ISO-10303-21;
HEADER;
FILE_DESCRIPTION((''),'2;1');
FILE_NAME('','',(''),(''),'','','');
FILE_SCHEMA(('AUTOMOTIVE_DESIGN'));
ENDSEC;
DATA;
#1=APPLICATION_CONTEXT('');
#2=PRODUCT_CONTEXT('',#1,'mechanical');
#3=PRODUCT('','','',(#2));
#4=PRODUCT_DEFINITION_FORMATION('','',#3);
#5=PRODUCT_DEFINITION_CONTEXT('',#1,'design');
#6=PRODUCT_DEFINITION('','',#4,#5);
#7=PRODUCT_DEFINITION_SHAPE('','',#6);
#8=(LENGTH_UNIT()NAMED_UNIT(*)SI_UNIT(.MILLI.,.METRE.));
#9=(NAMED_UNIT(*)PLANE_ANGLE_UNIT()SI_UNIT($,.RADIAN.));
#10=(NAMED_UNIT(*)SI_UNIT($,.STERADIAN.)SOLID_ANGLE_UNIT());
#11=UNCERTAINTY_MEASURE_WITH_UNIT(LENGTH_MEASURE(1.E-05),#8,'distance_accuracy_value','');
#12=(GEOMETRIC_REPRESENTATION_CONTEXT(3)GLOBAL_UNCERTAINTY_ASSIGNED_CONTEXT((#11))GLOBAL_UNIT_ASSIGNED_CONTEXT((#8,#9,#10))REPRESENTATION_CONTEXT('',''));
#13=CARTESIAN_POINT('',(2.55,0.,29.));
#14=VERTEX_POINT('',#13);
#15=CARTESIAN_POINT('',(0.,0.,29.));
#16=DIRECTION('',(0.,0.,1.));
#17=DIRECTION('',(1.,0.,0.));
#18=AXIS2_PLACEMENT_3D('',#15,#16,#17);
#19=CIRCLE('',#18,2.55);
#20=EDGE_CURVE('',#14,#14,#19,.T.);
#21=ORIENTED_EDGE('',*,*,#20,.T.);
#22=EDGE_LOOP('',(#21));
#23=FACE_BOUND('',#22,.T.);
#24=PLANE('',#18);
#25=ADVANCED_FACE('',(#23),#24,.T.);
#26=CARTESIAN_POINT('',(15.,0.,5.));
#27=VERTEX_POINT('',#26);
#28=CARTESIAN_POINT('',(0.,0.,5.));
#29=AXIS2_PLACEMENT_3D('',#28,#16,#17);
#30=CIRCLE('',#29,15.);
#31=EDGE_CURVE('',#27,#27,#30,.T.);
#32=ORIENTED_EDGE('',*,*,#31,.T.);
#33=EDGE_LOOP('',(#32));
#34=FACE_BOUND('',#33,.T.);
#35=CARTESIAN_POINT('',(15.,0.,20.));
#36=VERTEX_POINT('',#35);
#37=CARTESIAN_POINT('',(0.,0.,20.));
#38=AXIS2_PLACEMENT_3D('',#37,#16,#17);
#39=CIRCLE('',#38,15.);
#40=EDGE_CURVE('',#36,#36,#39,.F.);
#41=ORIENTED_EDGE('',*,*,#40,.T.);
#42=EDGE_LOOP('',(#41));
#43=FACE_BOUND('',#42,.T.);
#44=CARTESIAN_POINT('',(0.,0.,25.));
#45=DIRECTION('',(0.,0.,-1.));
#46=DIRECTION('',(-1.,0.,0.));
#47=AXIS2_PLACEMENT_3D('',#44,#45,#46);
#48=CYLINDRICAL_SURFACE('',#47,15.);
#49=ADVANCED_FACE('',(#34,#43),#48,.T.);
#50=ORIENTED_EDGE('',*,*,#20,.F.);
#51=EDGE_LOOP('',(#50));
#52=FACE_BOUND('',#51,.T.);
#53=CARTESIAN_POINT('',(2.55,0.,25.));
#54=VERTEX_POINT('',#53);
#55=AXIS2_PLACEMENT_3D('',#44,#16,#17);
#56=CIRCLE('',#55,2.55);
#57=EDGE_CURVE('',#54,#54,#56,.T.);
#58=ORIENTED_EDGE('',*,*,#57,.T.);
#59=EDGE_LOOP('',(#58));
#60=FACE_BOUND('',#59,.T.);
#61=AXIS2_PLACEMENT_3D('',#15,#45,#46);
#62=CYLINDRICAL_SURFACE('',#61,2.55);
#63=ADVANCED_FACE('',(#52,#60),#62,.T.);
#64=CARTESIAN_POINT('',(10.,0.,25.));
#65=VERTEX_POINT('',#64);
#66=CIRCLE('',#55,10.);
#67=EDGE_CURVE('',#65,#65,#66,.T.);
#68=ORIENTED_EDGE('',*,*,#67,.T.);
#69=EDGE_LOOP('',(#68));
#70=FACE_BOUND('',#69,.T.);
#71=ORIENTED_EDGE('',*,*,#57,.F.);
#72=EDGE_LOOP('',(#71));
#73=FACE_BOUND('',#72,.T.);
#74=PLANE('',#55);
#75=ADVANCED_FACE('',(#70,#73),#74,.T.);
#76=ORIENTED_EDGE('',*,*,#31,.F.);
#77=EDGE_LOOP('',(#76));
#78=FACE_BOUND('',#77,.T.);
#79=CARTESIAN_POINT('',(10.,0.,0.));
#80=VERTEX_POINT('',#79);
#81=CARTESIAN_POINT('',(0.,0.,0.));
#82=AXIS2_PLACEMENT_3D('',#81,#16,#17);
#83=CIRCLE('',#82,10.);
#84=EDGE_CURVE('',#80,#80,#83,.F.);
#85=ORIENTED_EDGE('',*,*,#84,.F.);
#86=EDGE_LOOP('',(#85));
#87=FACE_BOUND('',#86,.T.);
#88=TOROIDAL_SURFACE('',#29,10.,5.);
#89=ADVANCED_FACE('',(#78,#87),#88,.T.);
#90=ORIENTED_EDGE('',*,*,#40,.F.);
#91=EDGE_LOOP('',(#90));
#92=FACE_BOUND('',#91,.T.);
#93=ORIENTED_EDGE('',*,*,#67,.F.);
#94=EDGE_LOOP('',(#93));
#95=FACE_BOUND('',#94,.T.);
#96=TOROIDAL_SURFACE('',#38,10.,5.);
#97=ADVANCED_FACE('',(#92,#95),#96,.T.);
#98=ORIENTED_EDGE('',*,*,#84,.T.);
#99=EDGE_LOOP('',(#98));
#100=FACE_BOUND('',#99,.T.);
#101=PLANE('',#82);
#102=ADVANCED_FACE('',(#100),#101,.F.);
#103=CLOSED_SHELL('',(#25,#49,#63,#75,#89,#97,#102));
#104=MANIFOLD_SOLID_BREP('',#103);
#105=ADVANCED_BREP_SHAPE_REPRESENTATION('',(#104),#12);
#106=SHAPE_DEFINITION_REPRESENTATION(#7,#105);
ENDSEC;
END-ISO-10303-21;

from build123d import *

# Parameters (mm, degrees)
CROQUIS1_R              = 15
SALIENTE_EXTRUIR1_DEPTH = 25
REDONDEO2_R             = 5
CROQUIS2_R              = 2.55
SALIENTE_EXTRUIR2_DEPTH = 4


with BuildPart() as part:
    # Croquis1 → Saliente-Extruir1 (new body)
    with BuildSketch(Plane.XY):
        Circle(CROQUIS1_R)
    extrude(amount=SALIENTE_EXTRUIR1_DEPTH)

    # Redondeo2
    redondeo2_edges = [part.edges().sort_by_distance(p)[0] for p in [
        (-15, 0, 0),
        (-15, 0, 25),
    ]]
    fillet(redondeo2_edges, radius=REDONDEO2_R)

    # Croquis2 → Saliente-Extruir2 (add)
    with BuildSketch(Plane.XY.offset(25)):
        Circle(CROQUIS2_R)
    extrude(amount=SALIENTE_EXTRUIR2_DEPTH)


solid = part.part
